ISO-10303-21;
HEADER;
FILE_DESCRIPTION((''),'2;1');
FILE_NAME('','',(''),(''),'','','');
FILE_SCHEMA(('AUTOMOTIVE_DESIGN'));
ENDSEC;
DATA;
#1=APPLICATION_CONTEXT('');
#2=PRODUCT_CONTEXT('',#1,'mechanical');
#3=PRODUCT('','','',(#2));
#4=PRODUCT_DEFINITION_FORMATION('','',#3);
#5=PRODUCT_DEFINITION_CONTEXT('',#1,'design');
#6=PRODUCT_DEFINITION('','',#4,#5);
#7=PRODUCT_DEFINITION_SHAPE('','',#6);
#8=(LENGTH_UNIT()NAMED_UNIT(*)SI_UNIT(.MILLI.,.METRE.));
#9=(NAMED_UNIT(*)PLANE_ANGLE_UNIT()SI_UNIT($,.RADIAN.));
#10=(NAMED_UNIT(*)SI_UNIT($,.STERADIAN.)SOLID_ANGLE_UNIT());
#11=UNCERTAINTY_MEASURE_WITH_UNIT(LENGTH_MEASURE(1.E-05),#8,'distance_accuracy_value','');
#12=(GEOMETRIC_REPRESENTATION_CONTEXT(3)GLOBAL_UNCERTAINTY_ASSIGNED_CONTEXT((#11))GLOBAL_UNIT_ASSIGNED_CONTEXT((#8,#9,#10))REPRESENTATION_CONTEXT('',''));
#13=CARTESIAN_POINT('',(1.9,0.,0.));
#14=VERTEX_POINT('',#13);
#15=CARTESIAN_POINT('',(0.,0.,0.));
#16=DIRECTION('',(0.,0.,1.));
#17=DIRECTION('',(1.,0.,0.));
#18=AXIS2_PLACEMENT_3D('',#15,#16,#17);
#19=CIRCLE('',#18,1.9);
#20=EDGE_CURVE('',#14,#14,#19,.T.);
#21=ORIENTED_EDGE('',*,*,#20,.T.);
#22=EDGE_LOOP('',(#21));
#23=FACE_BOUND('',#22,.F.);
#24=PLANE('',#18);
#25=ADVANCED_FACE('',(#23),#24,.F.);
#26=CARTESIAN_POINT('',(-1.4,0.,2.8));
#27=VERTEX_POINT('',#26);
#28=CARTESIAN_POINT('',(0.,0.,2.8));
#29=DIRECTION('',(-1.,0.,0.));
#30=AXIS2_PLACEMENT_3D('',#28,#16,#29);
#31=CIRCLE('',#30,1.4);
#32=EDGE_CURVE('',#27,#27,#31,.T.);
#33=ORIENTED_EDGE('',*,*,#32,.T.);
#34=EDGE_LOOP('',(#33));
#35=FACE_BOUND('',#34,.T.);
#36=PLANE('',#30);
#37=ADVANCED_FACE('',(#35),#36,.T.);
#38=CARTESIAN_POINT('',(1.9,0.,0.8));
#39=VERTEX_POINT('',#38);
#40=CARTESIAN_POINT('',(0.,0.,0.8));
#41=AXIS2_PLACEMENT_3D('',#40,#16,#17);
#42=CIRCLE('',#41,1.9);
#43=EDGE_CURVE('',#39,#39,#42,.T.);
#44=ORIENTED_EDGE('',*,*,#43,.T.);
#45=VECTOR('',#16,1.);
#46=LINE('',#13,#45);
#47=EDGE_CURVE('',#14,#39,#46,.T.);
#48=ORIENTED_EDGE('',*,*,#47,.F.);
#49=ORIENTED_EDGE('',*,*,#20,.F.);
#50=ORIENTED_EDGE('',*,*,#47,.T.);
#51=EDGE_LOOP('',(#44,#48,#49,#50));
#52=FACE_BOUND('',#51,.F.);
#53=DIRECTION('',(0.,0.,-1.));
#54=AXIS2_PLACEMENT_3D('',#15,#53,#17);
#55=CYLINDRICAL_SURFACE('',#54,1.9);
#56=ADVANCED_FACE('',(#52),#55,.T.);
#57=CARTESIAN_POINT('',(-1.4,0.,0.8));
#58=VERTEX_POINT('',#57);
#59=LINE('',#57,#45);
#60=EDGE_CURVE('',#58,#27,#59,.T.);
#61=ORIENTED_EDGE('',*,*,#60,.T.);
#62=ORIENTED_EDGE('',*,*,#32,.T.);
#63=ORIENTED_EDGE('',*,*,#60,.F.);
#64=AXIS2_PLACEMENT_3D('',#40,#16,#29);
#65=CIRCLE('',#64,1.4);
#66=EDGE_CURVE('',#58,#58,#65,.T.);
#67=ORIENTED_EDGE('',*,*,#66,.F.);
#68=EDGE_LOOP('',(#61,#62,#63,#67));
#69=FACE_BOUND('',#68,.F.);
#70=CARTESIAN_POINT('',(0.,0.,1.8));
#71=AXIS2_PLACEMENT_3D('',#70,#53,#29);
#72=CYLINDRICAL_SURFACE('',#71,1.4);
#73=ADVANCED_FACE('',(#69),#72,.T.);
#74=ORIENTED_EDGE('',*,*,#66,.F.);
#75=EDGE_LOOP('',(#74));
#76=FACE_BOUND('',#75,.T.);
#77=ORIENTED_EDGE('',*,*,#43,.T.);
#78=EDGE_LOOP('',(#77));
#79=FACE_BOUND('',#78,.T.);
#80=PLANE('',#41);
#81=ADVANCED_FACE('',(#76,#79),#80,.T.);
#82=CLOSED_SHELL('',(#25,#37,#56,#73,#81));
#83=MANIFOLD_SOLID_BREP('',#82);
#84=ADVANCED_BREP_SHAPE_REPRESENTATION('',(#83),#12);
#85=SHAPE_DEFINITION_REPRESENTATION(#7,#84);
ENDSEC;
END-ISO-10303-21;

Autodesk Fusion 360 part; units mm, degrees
sketch "Sketch1" plane through (0, 0, 0) normal (0, 0, 1) x (1, 0, 0)
  circle A0 centre (0, 0) radius 1.9
  dimension "d1" = 3.8
extrude "Extrude1" add sketch "Sketch1" along normal blind 0.8
sketch "Sketch2" plane through (0, 0, 0.8) normal (0, 0, 1) x (-1, 0, 0)
  circle A0 centre (0, 0) radius 1.9
  circle A1 centre (0, 0) radius 1.4
  dimension "d4" = 2.8
extrude "Extrude2" add sketch "Sketch2" along normal blind 1 contours A1
extrude "Extrude3" add 1 faces at (-0.5498, 0.3174, 1.8) along direction (0, 0, 1) blind 1
